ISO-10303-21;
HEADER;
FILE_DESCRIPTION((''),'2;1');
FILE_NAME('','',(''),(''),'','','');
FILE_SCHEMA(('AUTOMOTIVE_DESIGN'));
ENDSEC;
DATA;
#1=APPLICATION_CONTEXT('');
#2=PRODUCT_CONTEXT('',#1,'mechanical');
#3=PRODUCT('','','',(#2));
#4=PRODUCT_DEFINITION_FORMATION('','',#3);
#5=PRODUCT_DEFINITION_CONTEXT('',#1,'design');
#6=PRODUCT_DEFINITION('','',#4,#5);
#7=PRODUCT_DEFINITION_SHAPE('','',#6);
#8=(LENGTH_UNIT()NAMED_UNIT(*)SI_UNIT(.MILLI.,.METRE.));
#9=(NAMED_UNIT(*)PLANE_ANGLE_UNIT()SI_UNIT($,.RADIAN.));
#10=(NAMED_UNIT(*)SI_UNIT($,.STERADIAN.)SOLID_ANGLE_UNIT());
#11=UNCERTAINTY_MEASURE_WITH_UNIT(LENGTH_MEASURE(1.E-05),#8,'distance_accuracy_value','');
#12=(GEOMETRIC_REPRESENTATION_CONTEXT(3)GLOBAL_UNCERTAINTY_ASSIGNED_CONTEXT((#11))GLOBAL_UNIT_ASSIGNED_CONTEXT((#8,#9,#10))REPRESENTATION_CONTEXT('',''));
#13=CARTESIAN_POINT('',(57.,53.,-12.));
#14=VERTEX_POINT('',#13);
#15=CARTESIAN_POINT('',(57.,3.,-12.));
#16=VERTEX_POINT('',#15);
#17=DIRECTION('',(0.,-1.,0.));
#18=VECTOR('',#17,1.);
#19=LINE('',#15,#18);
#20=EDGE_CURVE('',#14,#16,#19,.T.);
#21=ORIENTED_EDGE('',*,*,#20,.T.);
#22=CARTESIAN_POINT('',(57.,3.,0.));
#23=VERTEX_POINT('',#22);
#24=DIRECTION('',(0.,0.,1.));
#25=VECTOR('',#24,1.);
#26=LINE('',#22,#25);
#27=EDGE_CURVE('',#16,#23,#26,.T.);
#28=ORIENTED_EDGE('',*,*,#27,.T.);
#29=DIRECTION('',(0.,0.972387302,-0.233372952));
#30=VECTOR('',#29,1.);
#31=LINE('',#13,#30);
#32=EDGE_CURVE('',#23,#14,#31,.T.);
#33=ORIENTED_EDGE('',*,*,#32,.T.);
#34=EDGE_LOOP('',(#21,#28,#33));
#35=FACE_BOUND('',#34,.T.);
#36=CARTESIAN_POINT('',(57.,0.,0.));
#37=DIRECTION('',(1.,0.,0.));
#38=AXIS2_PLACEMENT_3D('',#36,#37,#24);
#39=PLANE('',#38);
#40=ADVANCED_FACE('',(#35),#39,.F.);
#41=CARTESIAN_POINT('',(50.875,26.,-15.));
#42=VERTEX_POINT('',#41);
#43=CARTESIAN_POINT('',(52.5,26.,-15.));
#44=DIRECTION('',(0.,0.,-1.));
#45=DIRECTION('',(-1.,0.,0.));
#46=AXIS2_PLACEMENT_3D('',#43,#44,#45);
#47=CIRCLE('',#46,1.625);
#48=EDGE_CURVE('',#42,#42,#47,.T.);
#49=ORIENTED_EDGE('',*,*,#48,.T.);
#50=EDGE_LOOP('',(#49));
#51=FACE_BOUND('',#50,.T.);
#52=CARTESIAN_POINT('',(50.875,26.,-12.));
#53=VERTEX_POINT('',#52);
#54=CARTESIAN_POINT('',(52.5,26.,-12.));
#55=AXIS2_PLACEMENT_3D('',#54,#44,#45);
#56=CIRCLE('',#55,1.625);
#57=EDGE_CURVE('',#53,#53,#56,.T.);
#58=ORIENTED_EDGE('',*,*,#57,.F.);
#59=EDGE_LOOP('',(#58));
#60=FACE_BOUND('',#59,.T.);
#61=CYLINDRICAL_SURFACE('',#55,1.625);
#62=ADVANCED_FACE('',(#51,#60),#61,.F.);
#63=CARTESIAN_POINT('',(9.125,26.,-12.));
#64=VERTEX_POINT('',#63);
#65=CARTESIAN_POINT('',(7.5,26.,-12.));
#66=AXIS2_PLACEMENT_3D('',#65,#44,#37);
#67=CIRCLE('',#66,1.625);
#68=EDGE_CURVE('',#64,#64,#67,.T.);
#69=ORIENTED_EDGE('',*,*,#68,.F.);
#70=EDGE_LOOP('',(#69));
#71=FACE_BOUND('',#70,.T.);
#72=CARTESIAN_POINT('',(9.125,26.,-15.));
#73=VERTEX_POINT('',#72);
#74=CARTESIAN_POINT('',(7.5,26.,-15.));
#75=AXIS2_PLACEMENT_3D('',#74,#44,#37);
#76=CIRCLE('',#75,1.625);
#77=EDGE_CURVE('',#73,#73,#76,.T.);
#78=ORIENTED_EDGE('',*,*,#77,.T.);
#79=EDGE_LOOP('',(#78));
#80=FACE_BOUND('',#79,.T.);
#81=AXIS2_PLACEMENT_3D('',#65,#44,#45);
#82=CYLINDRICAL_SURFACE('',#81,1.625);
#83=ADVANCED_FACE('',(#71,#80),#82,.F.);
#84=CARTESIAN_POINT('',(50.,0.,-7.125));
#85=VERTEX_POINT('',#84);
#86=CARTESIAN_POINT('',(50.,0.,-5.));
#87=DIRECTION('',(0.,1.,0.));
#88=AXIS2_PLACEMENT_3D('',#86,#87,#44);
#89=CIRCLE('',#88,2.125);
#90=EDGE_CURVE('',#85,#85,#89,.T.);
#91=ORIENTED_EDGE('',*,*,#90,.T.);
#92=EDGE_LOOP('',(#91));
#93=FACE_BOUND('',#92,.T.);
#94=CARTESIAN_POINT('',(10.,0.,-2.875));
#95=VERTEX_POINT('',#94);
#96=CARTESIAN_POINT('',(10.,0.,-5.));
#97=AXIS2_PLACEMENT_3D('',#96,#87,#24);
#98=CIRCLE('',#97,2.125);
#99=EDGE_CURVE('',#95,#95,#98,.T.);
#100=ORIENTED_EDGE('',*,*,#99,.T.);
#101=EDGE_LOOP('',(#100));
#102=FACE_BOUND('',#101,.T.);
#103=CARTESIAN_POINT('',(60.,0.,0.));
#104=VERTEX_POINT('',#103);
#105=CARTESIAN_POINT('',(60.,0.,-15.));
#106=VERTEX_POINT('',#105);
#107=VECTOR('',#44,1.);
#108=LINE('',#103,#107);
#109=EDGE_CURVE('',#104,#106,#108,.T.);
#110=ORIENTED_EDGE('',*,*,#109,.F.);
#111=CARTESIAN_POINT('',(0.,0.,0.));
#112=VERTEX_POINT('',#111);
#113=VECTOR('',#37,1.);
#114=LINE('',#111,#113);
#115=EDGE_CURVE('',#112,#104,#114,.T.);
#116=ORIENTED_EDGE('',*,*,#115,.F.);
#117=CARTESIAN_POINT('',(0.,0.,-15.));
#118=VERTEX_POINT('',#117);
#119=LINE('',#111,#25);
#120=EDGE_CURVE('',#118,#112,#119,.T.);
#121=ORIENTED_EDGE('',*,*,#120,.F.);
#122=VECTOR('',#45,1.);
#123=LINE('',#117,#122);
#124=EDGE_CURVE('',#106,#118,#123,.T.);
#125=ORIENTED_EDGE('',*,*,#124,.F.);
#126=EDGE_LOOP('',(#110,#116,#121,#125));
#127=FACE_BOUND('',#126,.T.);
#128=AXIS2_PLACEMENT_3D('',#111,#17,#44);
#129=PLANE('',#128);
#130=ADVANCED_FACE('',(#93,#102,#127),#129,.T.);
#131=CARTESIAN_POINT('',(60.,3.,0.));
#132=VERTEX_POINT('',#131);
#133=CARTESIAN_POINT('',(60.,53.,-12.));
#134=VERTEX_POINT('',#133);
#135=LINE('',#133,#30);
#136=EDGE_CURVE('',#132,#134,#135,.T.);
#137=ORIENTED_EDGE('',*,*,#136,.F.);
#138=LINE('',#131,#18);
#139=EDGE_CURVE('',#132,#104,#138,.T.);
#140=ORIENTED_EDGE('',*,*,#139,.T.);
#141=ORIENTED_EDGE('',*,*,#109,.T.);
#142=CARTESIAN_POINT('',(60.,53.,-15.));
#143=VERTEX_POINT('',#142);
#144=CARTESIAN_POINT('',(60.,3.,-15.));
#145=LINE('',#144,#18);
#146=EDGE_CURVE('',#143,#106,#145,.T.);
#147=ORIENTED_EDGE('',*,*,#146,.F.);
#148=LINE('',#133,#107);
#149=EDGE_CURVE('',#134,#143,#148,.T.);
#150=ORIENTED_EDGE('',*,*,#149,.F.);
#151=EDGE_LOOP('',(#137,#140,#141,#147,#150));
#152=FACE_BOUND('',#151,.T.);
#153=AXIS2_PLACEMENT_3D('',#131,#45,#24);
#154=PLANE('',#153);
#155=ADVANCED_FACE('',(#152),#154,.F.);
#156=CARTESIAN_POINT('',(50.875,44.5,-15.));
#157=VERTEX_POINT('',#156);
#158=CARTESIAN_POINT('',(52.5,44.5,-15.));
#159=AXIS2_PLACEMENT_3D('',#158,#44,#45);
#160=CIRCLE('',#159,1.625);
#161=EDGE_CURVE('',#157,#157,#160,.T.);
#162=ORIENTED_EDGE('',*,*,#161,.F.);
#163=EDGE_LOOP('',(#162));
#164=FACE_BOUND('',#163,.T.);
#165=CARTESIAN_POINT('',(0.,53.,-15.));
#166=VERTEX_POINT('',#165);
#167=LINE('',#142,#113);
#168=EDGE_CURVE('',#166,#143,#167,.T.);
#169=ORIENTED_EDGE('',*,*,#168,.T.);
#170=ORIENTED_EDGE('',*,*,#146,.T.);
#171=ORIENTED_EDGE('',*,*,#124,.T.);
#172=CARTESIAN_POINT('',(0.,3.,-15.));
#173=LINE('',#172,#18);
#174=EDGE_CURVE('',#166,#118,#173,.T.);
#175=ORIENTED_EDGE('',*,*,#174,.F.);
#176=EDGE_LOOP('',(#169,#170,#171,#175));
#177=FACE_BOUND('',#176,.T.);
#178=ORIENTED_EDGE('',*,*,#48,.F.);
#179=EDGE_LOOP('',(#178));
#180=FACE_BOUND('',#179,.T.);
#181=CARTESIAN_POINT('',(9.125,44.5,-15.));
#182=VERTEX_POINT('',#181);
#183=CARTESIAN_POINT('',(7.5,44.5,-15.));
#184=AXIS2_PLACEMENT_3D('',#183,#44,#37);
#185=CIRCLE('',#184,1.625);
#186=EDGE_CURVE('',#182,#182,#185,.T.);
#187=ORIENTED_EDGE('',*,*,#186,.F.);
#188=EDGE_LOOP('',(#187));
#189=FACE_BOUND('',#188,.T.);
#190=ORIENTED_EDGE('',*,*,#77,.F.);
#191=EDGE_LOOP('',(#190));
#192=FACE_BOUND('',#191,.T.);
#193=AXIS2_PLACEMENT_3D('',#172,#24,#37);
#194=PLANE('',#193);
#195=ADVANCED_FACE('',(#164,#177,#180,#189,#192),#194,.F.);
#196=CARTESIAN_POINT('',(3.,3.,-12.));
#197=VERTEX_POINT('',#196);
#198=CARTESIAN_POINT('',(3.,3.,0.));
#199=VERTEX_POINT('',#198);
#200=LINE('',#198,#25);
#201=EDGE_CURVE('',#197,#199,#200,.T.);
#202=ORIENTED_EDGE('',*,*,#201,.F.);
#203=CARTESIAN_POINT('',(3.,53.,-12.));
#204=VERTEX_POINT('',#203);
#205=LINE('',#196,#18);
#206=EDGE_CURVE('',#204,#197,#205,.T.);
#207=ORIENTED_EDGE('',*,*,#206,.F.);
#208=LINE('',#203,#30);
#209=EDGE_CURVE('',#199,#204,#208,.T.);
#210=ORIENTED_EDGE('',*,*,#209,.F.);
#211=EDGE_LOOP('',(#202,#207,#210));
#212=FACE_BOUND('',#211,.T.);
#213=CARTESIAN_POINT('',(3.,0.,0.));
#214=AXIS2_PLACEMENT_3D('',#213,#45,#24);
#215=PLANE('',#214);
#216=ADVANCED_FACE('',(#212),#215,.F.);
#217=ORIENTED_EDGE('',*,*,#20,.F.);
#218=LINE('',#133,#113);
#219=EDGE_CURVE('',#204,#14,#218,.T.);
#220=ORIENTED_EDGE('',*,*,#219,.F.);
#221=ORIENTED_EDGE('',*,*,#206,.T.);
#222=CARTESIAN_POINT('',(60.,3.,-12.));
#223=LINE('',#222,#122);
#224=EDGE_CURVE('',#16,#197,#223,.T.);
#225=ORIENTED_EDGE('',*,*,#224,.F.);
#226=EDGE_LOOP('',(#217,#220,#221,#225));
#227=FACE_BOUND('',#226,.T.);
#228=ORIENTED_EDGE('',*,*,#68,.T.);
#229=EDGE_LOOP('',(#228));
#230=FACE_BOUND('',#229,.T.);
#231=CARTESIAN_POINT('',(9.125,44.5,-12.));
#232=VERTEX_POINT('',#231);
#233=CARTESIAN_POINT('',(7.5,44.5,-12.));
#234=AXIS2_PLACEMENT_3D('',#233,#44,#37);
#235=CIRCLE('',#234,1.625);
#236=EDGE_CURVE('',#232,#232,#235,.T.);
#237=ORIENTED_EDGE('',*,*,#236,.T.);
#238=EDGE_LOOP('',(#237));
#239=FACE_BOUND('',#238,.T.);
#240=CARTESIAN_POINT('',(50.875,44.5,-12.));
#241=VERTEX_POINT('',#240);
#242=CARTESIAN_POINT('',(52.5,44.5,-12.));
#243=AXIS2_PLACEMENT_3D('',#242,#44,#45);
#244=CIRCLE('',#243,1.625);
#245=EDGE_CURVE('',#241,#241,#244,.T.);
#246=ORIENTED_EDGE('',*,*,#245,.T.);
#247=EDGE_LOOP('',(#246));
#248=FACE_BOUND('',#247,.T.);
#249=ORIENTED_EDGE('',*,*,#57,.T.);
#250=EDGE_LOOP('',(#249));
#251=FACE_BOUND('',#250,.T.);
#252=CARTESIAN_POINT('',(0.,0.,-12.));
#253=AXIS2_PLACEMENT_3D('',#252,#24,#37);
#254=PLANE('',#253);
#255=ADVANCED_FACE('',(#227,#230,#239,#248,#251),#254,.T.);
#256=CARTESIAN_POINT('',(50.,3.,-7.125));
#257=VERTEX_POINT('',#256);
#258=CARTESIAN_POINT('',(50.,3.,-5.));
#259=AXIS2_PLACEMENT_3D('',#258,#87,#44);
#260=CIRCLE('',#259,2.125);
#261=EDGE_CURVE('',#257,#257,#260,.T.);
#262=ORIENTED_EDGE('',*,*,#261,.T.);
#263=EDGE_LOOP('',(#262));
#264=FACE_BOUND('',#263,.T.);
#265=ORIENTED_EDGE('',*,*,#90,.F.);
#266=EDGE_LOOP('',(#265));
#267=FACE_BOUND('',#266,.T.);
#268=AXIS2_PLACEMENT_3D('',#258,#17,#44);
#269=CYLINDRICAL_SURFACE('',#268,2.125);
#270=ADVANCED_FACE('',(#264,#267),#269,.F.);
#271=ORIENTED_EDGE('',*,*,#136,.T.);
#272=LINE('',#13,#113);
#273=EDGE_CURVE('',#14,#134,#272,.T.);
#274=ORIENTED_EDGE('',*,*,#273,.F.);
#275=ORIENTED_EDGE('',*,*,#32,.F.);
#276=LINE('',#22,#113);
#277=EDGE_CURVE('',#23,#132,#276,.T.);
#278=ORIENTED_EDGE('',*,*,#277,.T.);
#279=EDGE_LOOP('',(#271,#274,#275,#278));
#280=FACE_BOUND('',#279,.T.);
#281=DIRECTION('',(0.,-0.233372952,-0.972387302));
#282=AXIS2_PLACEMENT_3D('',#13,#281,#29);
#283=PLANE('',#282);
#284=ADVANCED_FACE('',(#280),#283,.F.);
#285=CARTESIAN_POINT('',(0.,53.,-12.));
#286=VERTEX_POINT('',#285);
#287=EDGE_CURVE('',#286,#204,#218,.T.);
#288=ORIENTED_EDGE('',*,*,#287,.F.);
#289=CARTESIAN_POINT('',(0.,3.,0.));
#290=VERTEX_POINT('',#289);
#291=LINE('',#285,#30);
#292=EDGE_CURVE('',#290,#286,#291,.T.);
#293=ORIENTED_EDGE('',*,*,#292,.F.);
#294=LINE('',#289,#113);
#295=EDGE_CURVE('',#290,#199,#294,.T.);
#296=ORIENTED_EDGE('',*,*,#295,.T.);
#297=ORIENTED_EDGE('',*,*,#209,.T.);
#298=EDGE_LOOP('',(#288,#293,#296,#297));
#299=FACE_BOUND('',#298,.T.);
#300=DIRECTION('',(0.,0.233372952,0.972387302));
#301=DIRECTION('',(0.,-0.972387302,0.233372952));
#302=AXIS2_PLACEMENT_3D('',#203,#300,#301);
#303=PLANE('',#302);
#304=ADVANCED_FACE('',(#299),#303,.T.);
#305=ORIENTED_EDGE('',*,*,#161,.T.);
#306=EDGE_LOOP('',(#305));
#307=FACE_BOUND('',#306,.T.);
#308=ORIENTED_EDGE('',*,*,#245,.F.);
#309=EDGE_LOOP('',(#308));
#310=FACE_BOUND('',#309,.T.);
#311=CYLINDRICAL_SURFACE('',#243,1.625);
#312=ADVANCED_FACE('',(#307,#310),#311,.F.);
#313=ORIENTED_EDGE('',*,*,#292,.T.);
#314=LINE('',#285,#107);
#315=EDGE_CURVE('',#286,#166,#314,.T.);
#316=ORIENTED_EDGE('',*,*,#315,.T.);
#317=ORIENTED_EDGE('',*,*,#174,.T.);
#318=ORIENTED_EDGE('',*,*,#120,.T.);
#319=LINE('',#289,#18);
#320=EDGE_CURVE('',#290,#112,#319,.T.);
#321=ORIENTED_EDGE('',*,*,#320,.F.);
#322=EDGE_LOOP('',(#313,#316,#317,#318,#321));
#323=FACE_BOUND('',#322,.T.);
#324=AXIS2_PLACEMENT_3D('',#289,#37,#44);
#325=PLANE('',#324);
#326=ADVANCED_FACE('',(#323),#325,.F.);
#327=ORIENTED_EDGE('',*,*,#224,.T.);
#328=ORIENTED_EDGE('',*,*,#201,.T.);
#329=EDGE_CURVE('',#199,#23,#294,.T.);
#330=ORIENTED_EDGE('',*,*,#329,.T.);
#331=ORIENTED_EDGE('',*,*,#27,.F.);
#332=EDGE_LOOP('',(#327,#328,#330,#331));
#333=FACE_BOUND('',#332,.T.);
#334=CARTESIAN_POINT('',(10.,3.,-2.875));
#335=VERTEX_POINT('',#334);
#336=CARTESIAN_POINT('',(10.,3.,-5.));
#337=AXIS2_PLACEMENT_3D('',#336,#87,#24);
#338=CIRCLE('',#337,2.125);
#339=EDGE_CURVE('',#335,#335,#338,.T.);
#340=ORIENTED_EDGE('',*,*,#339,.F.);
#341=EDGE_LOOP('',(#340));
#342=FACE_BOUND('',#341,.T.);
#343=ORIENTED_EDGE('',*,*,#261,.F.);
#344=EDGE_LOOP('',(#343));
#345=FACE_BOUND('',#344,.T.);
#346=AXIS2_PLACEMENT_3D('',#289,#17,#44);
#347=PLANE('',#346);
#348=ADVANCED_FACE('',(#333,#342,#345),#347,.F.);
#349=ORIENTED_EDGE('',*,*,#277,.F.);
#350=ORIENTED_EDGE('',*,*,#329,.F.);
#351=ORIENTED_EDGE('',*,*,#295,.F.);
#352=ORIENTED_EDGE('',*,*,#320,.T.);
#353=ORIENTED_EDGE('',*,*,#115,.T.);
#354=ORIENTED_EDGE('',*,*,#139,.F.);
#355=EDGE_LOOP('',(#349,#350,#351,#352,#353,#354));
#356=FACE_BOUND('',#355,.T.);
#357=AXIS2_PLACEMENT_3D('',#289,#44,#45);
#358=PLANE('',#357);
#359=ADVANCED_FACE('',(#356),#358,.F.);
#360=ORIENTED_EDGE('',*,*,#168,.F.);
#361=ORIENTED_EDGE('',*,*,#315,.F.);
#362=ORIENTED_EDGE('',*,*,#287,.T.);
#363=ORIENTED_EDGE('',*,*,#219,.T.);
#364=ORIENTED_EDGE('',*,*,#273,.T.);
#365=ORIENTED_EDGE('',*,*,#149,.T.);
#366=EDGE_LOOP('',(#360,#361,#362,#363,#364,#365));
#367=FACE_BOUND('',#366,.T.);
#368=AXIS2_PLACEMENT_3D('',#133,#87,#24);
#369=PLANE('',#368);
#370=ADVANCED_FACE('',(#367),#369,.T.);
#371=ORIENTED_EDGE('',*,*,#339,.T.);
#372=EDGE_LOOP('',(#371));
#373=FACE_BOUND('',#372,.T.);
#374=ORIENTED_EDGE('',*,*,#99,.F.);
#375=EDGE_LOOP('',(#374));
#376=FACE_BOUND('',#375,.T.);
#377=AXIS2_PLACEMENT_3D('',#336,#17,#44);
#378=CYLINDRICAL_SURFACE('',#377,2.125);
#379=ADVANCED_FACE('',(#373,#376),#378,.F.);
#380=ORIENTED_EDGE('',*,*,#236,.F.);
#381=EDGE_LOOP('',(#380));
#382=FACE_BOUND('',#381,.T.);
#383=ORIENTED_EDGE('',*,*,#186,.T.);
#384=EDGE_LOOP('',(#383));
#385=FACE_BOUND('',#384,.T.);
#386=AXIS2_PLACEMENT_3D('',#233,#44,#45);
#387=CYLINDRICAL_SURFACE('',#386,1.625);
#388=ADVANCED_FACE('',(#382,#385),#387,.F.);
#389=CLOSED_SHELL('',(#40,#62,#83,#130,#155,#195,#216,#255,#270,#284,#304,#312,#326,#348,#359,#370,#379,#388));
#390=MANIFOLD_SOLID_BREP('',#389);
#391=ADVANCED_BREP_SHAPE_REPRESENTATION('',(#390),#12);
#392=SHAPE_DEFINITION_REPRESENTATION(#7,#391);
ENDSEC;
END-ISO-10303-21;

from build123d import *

# Parameters (mm, degrees)
SKETCH1_W           = 60
SKETCH1_H           = 15
SKETCH1_R           = 2.125
BOSS_EXTRUDE1_DEPTH = 3
SKETCH2_W           = 60
SKETCH2_H           = 50
SKETCH2_R           = 1.625
BOSS_EXTRUDE2_DEPTH = 3
BOSS_EXTRUDE3_DEPTH = 3


with BuildPart() as part:
    # Sketch1 → Boss-Extrude1 (new body)
    with BuildSketch(Plane(origin=(0, 0, 0), x_dir=(1, 0, 0), z_dir=(0, 1, 0))):
        with Locations((30, 7.5)):
            Rectangle(SKETCH1_W, SKETCH1_H)
        with Locations(Location((10, 5, 0), (0, 0, 270))):
            Circle(SKETCH1_R, mode=Mode.SUBTRACT)
        with Locations(Location((50, 5, 0), (0, 0, 90))):
            Circle(SKETCH1_R, mode=Mode.SUBTRACT)
    extrude(amount=BOSS_EXTRUDE1_DEPTH)

    # Sketch2 → Boss-Extrude2 (add)
    with BuildSketch(Plane(origin=(0, 0, -15), x_dir=(-1, 0, 0), z_dir=(0, 0, -1))):
        with Locations((-30, 28)):
            Rectangle(SKETCH2_W, SKETCH2_H)
        with Locations((-52.5, 44.5)):
            Circle(SKETCH2_R, mode=Mode.SUBTRACT)
        with Locations((-52.5, 26)):
            Circle(SKETCH2_R, mode=Mode.SUBTRACT)
        with Locations(Location((-7.5, 26, 0), (0, 0, 180))):
            Circle(SKETCH2_R, mode=Mode.SUBTRACT)
        with Locations(Location((-7.5, 44.5, 0), (0, 0, 180))):
            Circle(SKETCH2_R, mode=Mode.SUBTRACT)
    extrude(amount=-BOSS_EXTRUDE2_DEPTH)

    # Sketch3 → Boss-Extrude3 (add)
    with BuildSketch(Plane.ZY):
        Polygon((-12, 53), (0, 3), (-12, 3), align=None)
    boss_extrude3 = extrude(amount=-BOSS_EXTRUDE3_DEPTH)

    # Mirror1: Boss-Extrude3 across plane
    add(boss_extrude3.mirror(Plane.ZY.offset(-30)))


solid = part.part
